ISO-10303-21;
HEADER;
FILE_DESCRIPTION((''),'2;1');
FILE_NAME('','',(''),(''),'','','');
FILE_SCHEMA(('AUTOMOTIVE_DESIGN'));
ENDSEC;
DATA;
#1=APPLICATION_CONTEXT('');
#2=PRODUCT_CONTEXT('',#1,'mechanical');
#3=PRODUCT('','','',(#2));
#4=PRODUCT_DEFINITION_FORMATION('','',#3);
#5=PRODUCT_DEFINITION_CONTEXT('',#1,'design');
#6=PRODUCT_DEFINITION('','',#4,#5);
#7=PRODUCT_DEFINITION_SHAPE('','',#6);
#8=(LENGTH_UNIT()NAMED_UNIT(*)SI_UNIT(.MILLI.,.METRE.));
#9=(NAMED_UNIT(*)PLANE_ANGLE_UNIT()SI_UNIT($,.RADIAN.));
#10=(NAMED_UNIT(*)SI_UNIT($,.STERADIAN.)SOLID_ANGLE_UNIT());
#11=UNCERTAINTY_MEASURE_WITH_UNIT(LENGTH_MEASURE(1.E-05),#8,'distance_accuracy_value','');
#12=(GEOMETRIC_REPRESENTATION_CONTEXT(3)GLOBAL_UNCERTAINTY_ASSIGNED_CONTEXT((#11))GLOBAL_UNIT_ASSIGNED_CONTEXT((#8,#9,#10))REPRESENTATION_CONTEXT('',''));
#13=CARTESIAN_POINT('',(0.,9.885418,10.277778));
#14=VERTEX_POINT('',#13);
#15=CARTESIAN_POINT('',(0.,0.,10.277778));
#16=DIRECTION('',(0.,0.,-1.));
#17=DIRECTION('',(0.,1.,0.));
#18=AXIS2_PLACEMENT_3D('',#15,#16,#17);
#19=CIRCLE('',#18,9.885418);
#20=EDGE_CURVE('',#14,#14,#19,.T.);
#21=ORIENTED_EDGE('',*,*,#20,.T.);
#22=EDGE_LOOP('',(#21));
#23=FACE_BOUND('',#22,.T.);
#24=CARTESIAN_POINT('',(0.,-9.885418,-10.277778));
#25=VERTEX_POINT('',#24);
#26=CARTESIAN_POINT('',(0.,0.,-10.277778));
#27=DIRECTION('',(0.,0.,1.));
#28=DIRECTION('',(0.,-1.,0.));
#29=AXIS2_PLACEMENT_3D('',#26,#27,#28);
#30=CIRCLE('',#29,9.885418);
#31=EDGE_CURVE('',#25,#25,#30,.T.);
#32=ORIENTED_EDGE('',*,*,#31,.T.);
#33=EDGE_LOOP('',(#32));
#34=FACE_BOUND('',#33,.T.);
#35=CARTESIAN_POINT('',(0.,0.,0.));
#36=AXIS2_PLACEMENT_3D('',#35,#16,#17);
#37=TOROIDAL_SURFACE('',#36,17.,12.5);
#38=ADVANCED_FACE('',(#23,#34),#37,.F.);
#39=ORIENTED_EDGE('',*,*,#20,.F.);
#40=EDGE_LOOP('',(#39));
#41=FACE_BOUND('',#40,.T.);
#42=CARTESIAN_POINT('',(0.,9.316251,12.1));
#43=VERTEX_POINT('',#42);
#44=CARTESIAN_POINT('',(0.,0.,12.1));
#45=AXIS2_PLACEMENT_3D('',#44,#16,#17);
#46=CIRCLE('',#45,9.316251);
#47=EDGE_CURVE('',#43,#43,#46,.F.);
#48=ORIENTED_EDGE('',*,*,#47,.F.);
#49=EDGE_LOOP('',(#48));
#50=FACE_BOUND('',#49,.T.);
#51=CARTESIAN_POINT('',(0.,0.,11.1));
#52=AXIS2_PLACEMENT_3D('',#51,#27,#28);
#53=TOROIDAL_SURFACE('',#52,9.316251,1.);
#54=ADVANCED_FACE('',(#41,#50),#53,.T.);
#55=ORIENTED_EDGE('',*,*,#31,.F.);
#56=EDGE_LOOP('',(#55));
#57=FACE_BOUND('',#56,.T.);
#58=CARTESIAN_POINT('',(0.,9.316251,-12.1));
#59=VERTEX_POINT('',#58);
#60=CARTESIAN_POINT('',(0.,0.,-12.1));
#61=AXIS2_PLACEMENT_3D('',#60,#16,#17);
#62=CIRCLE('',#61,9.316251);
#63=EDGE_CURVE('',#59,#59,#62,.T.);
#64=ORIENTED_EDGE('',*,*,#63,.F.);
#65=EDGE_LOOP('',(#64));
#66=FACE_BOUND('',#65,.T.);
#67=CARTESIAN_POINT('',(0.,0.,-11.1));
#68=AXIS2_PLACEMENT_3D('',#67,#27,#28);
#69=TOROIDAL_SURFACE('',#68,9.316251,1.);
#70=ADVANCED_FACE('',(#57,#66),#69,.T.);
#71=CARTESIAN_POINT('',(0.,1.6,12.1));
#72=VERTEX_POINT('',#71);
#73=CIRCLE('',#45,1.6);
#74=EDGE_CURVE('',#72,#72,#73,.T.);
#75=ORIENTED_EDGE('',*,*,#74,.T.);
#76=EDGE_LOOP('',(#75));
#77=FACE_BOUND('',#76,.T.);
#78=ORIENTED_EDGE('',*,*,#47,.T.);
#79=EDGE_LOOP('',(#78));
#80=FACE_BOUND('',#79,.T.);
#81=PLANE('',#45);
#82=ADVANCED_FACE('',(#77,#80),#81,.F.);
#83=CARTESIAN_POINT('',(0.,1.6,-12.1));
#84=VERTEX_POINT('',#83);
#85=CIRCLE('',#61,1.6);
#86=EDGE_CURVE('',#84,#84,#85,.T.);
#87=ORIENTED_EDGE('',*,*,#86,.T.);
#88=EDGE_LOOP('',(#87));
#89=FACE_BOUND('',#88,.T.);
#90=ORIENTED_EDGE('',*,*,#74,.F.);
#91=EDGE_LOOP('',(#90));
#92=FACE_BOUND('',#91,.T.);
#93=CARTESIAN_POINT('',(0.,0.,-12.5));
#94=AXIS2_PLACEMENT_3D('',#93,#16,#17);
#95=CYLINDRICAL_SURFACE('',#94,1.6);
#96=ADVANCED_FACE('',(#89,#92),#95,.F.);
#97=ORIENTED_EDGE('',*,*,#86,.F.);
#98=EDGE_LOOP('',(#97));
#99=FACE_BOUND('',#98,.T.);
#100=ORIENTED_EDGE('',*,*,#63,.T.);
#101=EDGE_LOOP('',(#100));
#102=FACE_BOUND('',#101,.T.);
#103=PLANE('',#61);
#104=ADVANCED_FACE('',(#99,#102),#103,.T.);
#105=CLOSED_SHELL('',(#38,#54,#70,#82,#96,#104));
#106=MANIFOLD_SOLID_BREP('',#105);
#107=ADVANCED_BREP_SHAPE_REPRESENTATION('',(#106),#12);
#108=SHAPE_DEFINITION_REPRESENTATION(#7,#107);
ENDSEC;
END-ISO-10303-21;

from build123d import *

# Parameters (mm, degrees)
FILLET1_R = 1


with BuildPart() as part:
    # Sketch1 → Revolve1 (revolve)
    with BuildSketch(Plane(origin=(0, 0, 0), x_dir=(0, 0, -1), z_dir=(1, 0, 0))):
        with BuildLine():
            Line((12.1, 1.6), (12.1, 13.863122572))
            ThreePointArc((12.1, 13.863122572), (0, 4.5), (-12.1, 13.863122572))
            Line((-12.1, 13.863122572), (-12.1, 1.6))
            Line((-12.1, 1.6), (12.1, 1.6))
        make_face()
    revolve(axis=Axis((0, 0, -12.5), (0, 0, 1)))

    # Fillet1
    fillet1_edges = [part.edges().sort_by_distance(p)[0] for p in [
        (0, -13.863122572, 12.1),
        (0, -13.863122572, -12.1),
    ]]
    fillet(fillet1_edges, radius=FILLET1_R)


solid = part.part
